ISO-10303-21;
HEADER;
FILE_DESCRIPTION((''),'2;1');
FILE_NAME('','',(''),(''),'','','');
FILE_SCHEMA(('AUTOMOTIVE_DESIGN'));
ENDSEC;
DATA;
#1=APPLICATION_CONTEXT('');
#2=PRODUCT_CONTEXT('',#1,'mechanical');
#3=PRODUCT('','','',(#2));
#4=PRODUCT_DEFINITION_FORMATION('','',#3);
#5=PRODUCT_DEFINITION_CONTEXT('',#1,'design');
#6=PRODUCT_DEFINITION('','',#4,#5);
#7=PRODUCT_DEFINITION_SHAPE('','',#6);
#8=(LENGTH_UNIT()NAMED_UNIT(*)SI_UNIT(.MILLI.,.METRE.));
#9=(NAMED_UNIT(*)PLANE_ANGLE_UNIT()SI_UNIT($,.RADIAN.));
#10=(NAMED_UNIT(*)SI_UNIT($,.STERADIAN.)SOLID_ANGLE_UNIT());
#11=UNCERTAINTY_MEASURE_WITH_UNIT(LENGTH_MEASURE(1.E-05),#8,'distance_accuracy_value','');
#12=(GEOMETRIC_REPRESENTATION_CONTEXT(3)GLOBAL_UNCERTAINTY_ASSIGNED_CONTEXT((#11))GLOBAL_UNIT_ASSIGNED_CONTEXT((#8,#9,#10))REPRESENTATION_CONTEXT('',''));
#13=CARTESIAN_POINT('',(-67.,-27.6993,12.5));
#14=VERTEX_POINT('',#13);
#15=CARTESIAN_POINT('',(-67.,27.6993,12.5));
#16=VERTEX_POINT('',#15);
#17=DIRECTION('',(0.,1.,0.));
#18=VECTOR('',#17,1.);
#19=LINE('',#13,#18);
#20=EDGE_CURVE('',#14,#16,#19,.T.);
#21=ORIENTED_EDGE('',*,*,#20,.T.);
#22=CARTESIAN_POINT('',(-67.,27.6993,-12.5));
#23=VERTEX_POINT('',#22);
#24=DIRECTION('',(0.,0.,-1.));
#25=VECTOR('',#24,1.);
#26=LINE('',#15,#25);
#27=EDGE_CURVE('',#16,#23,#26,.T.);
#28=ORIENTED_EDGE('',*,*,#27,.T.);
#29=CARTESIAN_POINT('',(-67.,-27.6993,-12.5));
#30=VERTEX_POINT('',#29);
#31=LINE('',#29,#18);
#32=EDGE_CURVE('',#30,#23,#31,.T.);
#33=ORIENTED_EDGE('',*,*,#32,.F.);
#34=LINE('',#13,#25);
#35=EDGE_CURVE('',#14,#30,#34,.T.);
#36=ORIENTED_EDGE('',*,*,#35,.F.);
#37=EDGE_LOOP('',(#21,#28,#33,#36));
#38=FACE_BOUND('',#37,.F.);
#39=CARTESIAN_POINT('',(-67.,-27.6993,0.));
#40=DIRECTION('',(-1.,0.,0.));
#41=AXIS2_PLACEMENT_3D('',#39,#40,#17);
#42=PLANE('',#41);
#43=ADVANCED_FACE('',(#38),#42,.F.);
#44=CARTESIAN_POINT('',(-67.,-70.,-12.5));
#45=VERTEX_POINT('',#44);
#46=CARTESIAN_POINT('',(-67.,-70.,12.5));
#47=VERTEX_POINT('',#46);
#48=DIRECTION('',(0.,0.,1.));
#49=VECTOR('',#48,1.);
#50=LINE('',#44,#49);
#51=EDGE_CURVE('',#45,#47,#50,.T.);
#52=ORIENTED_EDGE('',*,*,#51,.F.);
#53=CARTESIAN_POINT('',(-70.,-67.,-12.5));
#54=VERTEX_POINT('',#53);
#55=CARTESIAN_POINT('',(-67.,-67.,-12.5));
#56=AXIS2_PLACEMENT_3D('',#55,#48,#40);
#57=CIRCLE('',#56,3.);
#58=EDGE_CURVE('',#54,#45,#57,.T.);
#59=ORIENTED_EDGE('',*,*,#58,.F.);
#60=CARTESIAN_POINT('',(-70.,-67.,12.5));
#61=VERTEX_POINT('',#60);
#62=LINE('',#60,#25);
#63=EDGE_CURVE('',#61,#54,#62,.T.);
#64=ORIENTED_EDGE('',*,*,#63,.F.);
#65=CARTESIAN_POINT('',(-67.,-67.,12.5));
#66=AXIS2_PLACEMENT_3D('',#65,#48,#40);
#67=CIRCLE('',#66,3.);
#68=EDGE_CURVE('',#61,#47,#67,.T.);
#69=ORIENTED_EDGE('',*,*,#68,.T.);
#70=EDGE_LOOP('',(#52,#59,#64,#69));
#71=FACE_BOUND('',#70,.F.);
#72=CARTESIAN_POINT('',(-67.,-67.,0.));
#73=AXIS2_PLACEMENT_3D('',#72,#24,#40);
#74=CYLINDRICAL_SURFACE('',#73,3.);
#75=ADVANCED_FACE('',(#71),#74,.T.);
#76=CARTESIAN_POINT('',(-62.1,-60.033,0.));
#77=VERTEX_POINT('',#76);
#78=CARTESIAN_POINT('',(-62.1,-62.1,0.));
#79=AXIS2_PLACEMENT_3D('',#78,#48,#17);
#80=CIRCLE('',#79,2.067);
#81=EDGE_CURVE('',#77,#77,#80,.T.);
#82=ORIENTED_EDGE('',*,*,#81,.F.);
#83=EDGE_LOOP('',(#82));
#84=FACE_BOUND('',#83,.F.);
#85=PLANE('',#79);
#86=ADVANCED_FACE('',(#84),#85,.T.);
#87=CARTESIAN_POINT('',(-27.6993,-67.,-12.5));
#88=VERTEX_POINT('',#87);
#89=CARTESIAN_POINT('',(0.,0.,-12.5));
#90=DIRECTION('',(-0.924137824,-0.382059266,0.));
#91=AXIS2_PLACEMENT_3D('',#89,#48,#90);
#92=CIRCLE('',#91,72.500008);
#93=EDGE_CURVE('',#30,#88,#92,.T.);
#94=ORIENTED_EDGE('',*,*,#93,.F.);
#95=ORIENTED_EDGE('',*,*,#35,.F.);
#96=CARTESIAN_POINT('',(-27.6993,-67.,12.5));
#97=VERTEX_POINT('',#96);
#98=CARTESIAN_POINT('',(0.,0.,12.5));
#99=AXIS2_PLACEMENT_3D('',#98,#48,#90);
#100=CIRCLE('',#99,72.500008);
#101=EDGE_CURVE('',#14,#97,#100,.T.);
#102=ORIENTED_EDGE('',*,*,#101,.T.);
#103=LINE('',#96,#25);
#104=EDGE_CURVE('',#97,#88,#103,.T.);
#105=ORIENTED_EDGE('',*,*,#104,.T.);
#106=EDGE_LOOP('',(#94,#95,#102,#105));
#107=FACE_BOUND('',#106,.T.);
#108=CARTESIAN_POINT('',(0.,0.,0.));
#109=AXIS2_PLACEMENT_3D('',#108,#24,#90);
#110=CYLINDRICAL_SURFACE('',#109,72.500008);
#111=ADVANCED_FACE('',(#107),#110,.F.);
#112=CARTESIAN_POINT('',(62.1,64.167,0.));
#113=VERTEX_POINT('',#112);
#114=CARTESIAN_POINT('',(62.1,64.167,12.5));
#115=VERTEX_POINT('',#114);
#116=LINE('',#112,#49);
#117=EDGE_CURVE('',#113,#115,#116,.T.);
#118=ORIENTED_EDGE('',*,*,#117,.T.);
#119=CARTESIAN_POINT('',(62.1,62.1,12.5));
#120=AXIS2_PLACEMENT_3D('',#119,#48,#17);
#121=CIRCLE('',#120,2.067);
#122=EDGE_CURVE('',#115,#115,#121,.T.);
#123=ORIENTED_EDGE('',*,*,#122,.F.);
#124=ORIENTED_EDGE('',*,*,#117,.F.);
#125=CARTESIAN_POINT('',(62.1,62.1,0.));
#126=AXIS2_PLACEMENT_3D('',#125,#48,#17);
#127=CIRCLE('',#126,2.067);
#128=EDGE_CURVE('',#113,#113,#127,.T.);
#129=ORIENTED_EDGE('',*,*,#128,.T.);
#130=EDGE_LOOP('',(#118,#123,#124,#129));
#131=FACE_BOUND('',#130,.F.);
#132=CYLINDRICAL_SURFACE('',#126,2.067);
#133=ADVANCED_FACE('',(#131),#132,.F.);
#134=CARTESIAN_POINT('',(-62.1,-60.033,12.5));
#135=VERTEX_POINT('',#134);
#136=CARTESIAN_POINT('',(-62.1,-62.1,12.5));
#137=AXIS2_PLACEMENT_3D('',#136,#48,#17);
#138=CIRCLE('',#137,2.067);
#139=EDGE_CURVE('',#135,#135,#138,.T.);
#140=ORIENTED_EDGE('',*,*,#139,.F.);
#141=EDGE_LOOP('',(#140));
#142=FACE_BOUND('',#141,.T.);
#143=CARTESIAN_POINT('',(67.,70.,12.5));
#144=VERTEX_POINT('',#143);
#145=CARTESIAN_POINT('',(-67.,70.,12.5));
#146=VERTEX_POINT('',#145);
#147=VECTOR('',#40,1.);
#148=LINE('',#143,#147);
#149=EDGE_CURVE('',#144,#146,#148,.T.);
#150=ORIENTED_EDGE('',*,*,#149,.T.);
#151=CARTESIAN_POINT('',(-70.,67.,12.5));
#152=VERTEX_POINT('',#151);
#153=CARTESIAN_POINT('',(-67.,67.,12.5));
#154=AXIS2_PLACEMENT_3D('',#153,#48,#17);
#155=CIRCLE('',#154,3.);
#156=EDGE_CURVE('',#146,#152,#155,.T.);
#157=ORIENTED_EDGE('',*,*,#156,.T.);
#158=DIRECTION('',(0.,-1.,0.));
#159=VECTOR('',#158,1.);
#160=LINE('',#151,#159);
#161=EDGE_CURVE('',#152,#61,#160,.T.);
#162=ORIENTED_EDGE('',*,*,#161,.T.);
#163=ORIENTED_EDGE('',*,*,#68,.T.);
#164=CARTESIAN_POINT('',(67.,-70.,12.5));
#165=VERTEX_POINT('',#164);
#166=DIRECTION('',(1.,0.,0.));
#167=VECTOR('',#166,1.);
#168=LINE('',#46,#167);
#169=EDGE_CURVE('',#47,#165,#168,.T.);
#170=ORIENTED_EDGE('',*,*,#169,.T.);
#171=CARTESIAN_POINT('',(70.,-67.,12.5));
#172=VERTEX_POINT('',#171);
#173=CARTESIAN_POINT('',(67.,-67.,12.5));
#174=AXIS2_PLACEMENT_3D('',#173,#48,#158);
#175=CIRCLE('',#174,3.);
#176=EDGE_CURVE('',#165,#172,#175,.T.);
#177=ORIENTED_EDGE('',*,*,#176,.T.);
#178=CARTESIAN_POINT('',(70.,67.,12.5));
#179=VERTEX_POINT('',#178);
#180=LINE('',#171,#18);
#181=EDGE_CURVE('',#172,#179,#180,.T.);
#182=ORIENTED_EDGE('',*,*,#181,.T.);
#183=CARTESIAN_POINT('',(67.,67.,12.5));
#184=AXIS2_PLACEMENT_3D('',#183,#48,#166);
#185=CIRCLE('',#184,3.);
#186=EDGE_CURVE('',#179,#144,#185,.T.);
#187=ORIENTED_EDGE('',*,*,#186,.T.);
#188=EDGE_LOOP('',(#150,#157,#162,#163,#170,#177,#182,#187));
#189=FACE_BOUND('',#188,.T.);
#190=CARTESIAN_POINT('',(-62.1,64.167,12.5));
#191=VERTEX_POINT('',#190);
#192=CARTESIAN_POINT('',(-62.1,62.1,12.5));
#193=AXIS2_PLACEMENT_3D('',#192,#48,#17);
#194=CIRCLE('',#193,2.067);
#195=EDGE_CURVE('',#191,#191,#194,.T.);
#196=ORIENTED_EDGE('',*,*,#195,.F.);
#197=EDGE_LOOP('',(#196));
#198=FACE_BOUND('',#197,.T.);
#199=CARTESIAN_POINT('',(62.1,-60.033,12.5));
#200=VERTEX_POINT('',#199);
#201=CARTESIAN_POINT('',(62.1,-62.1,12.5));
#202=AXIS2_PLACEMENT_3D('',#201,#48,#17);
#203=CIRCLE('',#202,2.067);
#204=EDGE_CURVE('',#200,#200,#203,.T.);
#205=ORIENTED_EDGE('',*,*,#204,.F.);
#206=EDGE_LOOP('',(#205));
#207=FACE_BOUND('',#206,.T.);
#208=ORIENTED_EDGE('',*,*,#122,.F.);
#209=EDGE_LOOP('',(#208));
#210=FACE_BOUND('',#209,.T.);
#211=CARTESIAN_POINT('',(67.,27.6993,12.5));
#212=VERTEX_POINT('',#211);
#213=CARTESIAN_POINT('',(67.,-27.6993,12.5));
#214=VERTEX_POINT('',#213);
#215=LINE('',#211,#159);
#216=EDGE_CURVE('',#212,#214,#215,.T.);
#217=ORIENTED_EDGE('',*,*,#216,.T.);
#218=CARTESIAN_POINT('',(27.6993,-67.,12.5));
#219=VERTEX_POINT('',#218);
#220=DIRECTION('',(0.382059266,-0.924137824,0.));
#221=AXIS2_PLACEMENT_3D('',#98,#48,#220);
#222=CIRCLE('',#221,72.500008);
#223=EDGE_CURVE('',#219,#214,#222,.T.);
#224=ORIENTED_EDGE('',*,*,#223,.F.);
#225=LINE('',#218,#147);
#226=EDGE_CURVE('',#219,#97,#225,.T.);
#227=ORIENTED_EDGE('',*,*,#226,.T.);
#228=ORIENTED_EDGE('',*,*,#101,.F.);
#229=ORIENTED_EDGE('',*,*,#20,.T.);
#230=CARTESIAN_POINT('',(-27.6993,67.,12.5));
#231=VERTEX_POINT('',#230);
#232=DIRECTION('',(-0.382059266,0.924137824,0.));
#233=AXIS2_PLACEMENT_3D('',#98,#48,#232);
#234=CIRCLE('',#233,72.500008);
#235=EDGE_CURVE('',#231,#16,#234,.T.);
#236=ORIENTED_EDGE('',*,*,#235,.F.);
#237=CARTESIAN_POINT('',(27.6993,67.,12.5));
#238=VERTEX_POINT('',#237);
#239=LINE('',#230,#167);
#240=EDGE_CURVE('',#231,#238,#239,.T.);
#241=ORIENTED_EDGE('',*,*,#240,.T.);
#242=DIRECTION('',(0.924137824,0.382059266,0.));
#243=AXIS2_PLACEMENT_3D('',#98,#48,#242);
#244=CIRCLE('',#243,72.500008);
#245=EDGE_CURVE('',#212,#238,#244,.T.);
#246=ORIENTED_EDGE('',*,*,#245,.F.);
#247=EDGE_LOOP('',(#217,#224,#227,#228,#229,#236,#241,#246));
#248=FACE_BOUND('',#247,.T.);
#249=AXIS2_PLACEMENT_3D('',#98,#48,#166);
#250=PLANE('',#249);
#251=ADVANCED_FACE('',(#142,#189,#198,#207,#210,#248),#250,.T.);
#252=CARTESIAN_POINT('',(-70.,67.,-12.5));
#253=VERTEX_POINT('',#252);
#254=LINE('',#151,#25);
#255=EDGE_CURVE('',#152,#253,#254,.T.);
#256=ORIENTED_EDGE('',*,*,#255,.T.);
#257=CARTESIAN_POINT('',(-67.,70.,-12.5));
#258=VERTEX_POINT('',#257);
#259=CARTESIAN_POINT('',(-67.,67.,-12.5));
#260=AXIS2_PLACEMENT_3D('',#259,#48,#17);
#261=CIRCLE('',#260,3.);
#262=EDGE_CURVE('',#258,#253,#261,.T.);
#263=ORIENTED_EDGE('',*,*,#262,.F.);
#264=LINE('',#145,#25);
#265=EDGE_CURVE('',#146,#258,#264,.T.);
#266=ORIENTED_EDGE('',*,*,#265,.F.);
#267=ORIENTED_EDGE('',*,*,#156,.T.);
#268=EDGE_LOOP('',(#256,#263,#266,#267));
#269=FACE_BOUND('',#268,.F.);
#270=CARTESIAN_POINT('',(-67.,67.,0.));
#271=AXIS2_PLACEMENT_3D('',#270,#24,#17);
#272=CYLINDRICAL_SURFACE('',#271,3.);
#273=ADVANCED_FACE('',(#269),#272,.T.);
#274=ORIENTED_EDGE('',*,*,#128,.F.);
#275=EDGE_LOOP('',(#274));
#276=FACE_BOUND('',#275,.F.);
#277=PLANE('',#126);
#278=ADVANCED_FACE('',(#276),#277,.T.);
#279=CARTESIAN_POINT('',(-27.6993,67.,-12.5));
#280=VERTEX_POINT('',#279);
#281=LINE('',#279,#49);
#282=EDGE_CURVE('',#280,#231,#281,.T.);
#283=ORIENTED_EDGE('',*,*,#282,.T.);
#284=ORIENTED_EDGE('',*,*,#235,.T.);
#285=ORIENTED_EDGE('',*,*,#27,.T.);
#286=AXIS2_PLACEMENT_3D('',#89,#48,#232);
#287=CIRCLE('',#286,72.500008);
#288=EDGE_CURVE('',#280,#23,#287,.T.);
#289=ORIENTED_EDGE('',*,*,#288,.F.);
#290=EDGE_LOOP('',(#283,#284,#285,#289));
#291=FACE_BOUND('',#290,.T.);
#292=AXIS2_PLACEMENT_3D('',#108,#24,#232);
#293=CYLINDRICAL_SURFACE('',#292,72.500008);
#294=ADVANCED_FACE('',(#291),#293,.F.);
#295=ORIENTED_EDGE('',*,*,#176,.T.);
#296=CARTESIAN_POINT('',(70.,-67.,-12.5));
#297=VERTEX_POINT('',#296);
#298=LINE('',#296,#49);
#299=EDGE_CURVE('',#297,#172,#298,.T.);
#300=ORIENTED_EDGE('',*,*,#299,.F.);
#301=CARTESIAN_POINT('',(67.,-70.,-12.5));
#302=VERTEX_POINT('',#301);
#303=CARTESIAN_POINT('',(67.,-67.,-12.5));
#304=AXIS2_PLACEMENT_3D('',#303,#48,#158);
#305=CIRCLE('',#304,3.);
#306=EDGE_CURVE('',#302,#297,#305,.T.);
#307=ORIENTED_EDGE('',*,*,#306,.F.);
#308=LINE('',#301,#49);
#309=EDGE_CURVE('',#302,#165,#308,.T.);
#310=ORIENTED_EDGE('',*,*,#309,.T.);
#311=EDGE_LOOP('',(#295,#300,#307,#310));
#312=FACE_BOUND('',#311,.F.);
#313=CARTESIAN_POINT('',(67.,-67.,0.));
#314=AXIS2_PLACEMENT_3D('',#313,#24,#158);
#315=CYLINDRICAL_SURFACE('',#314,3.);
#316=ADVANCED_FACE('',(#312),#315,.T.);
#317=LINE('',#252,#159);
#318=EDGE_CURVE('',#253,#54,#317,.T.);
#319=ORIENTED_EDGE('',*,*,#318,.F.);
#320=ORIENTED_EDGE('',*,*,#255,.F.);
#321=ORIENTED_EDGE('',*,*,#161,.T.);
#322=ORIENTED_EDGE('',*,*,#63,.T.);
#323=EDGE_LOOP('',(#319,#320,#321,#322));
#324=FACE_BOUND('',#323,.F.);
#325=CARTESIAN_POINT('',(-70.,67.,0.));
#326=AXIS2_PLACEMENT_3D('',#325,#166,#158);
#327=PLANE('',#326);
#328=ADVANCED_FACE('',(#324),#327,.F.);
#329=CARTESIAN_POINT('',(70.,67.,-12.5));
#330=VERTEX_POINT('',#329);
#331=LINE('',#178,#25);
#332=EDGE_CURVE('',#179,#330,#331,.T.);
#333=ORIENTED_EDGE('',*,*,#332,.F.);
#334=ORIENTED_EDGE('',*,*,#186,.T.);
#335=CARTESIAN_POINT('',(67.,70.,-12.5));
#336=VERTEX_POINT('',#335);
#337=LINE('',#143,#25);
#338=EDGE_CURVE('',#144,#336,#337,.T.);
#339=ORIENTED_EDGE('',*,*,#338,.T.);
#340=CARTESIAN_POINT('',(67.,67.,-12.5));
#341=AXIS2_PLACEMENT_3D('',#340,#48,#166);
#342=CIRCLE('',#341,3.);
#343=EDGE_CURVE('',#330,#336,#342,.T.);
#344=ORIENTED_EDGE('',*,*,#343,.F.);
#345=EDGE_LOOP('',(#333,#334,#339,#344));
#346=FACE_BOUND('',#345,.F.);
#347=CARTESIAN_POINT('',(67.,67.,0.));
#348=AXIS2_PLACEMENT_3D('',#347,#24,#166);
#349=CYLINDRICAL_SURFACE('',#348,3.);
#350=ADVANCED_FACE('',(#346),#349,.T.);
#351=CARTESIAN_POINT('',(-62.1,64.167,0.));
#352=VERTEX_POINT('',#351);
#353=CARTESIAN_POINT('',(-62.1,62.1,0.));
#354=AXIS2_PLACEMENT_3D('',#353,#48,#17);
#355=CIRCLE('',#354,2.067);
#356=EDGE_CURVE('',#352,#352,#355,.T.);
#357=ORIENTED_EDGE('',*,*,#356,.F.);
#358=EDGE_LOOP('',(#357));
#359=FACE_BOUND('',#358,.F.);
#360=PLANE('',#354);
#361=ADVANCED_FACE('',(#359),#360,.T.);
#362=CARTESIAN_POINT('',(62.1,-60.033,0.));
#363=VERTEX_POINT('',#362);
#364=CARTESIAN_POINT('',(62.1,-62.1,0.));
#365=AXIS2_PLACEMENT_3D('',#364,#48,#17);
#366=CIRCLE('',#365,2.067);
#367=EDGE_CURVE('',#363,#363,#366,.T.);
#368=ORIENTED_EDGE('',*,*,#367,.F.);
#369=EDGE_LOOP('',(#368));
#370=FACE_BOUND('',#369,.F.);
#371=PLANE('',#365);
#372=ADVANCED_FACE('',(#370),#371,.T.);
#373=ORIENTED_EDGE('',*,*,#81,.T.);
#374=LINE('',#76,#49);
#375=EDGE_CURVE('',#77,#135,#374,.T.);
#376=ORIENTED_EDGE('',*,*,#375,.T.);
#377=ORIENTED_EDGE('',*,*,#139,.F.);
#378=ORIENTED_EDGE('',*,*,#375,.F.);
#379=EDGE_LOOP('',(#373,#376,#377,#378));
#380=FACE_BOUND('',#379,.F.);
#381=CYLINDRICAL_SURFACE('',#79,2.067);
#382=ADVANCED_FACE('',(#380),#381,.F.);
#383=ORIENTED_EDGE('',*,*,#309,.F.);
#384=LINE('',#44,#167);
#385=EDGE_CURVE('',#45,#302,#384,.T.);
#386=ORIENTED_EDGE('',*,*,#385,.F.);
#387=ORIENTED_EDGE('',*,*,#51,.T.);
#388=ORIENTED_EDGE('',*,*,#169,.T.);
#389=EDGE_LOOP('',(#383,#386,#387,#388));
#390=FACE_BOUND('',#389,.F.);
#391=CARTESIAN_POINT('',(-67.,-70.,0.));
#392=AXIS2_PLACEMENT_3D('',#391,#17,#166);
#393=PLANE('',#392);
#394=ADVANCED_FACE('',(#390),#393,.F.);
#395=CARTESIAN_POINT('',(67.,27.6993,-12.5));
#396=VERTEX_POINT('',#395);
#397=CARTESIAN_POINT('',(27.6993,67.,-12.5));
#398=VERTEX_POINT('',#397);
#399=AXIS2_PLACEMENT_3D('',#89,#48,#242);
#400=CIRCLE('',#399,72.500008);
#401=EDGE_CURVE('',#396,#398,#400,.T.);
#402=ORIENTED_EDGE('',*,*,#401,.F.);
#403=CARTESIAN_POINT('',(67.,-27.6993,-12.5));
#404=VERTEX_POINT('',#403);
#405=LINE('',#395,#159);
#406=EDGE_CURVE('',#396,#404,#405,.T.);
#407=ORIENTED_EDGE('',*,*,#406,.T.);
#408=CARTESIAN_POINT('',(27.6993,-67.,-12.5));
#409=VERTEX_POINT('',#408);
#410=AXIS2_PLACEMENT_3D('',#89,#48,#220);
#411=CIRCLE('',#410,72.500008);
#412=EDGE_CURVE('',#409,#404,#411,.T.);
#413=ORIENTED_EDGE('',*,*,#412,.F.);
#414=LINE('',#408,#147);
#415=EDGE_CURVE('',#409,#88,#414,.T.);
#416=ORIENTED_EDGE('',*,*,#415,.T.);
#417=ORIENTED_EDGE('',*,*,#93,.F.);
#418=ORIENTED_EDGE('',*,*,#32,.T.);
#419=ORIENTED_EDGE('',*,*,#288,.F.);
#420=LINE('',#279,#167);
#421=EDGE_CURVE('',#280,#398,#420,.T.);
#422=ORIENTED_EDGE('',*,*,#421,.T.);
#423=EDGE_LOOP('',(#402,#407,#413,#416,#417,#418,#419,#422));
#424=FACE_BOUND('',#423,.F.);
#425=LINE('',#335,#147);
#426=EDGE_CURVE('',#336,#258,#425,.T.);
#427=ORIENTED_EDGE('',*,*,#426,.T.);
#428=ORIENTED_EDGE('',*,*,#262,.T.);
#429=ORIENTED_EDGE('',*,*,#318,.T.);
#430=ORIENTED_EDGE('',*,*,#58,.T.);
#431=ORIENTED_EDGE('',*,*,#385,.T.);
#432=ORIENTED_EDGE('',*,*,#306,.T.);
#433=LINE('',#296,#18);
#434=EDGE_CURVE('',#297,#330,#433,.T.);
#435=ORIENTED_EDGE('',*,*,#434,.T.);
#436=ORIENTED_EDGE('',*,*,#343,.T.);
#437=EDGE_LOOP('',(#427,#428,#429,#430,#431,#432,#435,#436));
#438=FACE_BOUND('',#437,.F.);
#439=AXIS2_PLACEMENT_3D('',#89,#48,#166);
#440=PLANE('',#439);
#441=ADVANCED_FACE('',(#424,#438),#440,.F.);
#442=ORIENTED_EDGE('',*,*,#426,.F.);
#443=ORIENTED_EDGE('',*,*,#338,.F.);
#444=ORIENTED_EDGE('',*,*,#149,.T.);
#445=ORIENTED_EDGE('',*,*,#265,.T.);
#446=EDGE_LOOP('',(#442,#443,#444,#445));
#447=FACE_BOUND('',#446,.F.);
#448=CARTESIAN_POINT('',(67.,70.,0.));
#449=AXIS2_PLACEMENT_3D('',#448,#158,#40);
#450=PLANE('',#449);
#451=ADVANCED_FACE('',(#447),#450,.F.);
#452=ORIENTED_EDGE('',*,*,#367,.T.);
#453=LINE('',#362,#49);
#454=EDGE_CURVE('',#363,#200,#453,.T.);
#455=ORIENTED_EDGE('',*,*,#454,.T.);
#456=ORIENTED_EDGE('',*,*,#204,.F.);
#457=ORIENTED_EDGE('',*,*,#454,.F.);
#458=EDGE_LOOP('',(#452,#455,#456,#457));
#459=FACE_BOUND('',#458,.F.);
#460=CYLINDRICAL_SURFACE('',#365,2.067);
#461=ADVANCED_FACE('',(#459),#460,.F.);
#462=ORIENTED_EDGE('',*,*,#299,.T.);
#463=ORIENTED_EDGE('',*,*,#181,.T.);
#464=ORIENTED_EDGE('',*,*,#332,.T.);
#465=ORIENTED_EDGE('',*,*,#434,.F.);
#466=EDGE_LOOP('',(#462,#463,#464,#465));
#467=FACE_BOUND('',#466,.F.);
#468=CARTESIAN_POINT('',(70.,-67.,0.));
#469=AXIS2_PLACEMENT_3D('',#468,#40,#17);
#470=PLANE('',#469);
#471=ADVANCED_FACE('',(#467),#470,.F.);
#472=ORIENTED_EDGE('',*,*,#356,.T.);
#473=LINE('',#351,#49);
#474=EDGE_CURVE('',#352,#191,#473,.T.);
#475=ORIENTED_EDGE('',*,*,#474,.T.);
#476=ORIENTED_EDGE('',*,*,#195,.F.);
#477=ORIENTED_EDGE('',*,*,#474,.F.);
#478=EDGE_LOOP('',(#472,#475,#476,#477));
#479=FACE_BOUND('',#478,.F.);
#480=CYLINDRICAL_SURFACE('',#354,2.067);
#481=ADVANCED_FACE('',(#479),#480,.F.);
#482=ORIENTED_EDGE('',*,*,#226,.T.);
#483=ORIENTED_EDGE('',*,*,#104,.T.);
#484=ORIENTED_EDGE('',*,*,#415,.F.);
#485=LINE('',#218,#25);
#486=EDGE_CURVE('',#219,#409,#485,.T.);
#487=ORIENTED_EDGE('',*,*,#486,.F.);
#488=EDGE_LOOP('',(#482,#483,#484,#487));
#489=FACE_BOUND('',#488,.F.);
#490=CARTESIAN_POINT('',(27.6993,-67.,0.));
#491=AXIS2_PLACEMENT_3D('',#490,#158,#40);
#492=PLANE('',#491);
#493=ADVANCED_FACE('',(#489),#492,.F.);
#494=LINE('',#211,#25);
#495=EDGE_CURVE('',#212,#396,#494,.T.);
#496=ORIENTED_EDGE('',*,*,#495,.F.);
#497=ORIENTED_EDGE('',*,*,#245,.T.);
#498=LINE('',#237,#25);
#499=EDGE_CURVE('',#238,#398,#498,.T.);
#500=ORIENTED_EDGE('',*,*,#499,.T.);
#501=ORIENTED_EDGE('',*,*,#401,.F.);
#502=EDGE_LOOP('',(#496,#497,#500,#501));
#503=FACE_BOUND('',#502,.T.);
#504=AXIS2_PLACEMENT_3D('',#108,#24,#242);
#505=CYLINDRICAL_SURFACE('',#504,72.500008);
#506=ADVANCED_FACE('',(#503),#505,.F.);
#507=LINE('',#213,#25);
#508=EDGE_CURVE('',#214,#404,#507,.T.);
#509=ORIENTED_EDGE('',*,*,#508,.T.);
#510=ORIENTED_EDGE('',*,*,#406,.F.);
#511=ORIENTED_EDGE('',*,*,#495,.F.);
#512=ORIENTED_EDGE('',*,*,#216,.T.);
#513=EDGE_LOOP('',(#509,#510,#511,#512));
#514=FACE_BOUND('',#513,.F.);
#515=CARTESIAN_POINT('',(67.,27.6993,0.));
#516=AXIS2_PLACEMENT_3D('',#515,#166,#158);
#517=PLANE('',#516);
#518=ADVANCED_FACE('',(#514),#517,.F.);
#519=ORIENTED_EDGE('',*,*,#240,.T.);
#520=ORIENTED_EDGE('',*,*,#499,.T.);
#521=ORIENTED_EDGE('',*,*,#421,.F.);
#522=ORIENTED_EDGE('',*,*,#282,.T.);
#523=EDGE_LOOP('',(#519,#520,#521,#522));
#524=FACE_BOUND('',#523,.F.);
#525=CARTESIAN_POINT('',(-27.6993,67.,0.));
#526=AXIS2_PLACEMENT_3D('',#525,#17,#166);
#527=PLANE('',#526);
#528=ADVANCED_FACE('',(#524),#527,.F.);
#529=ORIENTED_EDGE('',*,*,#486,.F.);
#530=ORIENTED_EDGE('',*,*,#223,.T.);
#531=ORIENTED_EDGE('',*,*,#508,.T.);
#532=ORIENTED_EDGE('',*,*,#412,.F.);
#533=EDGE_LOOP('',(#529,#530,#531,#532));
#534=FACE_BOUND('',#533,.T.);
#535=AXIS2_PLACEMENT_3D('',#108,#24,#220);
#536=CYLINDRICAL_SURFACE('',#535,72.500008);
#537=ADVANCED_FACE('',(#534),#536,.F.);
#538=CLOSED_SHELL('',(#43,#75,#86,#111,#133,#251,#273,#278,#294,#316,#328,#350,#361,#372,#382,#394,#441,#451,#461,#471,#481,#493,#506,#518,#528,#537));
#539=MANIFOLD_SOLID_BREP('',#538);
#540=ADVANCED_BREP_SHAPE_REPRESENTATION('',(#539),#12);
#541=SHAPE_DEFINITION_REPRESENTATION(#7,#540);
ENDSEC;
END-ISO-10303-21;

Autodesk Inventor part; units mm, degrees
ref_plane "YZ Plane" through (0, 0, 0) normal (1, 0, 0) x (0, 1, 0)
ref_plane "XZ Plane" through (0, 0, 0) normal (0, 1, 0) x (-1, 0, 0)
ref_plane "XY Plane" through (0, 0, 0) normal (0, 0, 1) x (1, 0, 0)
sketch "Sketch1" plane through (0, 0, 0) normal (0, 0, 1) x (1, 0, 0)
  line L0 (-67, -70) -> (67, -70)
  line L1 (70, -67) -> (70, 67)
  line L2 (67, 70) -> (-67, 70)
  line L3 (-70, 67) -> (-70, -67)
  line L4 (-70, -70) -> (70, 70) construction
  line L5 (70, -70) -> (-70, 70) construction
  arc A0 (-67, 70) -> (-70, 67) centre (-67, 67) ccw
  arc A1 (-70, -67) -> (-67, -70) centre (-67, -67) ccw
  arc A2 (67, -70) -> (70, -67) centre (67, -67) ccw
  arc A3 (70, 67) -> (67, 70) centre (67, 67) ccw
  line L6 (-62.1, -62.1) -> (62.1, -62.1) construction
  line L7 (62.1, -62.1) -> (62.1, 62.1) construction
  line L8 (62.1, 62.1) -> (-62.1, 62.1) construction
  line L9 (-62.1, 62.1) -> (-62.1, -62.1) construction
  line L10 (-62.1, -62.1) -> (62.1, 62.1) construction
  line L11 (62.1, -62.1) -> (-62.1, 62.1) construction
  line L12 (-27.6993, 67) -> (27.6993, 67)
  line L13 (67, 27.6993) -> (67, -27.6993)
  line L14 (27.6993, -67) -> (-27.6993, -67)
  line L15 (-67, -27.6993) -> (-67, 27.6993)
  arc A4 (67, 27.6993) -> (27.6993, 67) centre (0, 0) ccw
  arc A5 (27.6993, -67) -> (67, -27.6993) centre (0, 0) ccw
  arc A6 (-27.6993, 67) -> (-67, 27.6993) centre (0, 0) ccw
  arc A7 (-67, -27.6993) -> (-27.6993, -67) centre (0, 0) ccw
  point P0 (0, 0)
  point P1 (51.2652, -51.2652)
  point P2 (-51.2652, 51.2652)
  dimension "d0" = 140
  dimension "d1" = 140
  dimension "d2" = 3
  dimension "d3" = 124.2
  dimension "d4" = 124.2
  dimension "d6" = 145
  dimension "d7" = 134
extrude "Extrusion1" add sketch "Sketch1" along normal mid plane 25
hole "Hole1" at (-62.1, 62.1, 0) at (62.1, 62.1, 0) at (62.1, -62.1, 0) at (-62.1, -62.1, 0) direction (0, 0, 1) diameter 4.134 end through all
properties part number "nf-a14"
